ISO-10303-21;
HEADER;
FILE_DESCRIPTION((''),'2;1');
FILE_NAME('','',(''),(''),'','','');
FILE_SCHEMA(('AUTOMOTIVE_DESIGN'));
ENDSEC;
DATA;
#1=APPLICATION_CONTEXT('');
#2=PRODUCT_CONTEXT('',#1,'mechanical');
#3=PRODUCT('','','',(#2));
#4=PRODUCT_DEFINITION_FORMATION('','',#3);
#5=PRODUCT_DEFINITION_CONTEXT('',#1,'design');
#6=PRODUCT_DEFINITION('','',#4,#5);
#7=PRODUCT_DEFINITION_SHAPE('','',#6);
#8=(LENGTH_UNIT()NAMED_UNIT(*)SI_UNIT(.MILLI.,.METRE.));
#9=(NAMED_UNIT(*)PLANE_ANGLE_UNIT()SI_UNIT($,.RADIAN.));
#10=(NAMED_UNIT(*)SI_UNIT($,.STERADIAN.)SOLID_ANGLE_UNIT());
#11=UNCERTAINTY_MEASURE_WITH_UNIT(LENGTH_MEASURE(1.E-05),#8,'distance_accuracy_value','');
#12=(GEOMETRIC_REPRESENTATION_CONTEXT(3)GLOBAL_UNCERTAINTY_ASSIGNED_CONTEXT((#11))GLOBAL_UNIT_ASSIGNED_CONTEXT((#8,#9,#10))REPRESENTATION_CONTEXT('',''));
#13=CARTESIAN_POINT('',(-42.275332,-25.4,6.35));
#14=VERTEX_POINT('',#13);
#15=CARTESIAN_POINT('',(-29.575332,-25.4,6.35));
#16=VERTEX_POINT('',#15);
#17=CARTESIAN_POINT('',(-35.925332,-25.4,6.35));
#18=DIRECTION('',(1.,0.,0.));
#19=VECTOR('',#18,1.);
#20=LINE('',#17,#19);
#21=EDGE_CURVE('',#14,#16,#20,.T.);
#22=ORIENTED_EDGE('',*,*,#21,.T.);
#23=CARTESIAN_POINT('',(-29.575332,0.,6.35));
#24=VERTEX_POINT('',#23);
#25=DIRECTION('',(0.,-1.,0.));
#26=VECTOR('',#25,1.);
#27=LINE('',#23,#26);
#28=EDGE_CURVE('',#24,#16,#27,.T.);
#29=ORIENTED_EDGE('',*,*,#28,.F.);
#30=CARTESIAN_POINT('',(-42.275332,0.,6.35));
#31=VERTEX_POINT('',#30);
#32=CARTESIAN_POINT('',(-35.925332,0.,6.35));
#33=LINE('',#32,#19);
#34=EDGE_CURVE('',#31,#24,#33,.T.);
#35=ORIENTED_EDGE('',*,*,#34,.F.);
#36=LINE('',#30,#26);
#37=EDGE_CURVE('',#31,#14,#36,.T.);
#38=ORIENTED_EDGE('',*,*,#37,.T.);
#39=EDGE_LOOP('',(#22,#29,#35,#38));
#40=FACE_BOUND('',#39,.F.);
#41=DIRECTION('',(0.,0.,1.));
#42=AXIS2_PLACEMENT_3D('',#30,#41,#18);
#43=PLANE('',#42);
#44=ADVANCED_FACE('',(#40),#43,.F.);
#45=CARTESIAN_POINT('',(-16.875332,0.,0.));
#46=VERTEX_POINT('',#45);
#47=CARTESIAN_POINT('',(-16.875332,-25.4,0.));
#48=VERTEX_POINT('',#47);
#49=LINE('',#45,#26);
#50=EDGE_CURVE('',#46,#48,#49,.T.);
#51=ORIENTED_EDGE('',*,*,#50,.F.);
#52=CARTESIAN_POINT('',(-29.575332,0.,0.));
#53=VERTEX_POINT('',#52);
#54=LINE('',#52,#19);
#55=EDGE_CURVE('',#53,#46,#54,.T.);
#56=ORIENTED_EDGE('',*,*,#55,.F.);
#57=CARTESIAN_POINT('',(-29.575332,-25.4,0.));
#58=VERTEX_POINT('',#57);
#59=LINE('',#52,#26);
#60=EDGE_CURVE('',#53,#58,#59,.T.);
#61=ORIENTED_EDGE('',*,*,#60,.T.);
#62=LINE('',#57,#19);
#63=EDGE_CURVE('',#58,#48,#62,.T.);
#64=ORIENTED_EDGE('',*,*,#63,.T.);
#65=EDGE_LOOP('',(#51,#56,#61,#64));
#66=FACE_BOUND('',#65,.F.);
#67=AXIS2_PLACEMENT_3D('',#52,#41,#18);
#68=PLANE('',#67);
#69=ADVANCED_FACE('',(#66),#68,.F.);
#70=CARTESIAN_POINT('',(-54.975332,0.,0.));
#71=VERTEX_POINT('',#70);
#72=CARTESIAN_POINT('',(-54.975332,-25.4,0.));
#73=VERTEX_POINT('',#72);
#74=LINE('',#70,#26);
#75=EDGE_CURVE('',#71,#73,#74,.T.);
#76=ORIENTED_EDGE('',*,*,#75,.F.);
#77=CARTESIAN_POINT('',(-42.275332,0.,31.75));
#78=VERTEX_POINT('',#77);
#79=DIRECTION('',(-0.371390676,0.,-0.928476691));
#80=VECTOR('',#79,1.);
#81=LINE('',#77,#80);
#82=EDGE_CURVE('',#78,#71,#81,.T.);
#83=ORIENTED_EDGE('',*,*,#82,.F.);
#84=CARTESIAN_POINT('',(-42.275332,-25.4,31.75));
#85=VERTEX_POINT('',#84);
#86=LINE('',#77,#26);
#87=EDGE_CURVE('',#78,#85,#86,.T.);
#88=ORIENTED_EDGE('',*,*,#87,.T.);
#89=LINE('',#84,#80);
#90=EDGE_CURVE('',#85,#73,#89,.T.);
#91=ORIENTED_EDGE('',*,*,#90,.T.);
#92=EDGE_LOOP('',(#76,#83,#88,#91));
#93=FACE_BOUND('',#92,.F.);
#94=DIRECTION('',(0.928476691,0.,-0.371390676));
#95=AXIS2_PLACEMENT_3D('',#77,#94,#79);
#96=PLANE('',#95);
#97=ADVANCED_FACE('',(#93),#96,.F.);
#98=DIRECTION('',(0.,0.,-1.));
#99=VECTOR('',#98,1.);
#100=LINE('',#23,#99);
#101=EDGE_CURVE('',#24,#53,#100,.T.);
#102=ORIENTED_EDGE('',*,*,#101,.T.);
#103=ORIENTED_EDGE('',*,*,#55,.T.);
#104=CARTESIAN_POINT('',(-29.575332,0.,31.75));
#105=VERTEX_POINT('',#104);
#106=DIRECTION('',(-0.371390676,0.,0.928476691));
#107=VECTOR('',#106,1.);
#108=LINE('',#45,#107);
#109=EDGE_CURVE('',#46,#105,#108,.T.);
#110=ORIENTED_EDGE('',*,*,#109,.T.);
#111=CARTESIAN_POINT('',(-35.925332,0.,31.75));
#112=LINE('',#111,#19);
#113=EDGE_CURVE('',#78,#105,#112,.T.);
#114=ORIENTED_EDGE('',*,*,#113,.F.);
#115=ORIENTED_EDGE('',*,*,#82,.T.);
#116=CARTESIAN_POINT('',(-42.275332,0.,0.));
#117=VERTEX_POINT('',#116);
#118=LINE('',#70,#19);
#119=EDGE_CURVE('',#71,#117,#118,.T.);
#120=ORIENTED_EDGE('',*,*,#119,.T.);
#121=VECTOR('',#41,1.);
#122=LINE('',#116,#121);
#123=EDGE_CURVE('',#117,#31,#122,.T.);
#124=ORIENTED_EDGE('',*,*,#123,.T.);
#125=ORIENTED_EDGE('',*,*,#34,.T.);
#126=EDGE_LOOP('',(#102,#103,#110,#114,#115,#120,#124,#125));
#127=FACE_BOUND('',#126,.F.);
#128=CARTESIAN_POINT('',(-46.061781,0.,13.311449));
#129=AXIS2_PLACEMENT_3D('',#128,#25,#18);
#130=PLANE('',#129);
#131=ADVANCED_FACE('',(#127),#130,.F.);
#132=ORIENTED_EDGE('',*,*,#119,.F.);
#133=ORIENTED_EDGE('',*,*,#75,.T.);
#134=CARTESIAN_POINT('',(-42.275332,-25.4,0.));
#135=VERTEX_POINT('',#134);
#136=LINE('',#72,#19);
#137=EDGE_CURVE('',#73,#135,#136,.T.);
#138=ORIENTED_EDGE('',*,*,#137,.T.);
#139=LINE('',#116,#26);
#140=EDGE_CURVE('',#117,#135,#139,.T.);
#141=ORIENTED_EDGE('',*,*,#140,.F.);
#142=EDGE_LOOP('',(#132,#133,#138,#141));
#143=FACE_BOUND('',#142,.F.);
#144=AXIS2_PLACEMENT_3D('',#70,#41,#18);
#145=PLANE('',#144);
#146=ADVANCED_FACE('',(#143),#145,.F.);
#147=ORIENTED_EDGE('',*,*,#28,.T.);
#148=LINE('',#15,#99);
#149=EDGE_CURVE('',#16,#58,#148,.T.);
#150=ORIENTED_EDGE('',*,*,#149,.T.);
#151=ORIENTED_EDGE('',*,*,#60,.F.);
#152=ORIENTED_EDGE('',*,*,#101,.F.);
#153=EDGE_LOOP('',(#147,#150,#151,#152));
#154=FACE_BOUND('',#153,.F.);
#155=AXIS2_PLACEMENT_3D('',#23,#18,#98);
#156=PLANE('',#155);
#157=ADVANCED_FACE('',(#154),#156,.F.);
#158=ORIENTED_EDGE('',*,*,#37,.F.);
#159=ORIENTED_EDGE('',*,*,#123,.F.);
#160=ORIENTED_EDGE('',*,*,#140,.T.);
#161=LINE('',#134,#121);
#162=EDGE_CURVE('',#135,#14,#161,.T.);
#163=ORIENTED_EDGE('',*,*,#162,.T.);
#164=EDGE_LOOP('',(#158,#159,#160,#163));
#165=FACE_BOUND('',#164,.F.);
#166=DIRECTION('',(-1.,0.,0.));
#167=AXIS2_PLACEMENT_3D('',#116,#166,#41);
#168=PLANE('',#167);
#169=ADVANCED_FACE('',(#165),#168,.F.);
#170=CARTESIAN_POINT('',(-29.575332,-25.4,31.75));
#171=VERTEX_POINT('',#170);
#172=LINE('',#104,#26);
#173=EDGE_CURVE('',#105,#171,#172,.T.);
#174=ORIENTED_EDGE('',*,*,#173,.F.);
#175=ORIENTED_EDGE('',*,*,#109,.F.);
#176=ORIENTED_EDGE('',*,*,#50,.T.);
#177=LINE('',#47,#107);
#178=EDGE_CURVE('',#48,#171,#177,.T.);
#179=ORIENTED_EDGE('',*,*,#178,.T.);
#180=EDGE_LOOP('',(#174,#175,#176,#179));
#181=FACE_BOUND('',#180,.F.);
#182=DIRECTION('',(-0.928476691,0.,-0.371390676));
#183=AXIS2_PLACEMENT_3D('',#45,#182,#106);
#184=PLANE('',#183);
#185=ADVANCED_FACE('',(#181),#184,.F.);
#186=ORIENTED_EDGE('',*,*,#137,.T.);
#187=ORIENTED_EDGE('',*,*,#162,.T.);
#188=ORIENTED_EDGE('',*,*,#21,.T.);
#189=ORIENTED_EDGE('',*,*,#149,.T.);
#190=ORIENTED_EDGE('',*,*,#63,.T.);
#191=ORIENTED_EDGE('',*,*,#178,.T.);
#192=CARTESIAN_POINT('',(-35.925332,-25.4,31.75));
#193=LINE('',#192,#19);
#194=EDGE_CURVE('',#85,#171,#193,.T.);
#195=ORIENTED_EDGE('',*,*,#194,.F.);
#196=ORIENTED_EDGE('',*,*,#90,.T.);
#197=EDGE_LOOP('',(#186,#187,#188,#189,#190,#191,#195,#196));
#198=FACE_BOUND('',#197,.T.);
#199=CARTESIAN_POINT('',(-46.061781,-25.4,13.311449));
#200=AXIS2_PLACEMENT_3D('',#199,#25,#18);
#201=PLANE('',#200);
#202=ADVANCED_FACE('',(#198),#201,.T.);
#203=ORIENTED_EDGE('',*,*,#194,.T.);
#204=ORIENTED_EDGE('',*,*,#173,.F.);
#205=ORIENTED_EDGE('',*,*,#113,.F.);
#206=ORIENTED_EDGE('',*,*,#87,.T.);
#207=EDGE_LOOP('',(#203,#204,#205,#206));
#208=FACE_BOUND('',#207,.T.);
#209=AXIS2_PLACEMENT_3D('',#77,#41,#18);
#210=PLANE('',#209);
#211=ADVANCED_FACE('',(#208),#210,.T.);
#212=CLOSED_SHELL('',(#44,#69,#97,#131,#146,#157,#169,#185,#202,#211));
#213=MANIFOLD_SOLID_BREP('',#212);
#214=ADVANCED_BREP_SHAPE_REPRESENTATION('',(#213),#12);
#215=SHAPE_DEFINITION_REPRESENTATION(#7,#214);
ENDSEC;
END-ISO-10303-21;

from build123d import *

# Parameters (mm, degrees)
F0_W     = 12.7
F0_H     = 25.4
F1_DEPTH = 25.4


with BuildPart() as f1:
    # F0 (on Front) → F1 (new body)
    with BuildSketch(Plane.XZ):
        Polygon((-42.275332, 31.75), (-54.975332, 0), (-42.275332, 0), (-42.275332, 6.35), align=None)
        with Locations((-35.925332, 19.05)):
            Rectangle(F0_W, F0_H)
        Polygon((-29.575332, 6.35), (-29.575332, 0), (-16.875332, 0), (-29.575332, 31.75), align=None)
    extrude(amount=F1_DEPTH)


solid = f1.part
